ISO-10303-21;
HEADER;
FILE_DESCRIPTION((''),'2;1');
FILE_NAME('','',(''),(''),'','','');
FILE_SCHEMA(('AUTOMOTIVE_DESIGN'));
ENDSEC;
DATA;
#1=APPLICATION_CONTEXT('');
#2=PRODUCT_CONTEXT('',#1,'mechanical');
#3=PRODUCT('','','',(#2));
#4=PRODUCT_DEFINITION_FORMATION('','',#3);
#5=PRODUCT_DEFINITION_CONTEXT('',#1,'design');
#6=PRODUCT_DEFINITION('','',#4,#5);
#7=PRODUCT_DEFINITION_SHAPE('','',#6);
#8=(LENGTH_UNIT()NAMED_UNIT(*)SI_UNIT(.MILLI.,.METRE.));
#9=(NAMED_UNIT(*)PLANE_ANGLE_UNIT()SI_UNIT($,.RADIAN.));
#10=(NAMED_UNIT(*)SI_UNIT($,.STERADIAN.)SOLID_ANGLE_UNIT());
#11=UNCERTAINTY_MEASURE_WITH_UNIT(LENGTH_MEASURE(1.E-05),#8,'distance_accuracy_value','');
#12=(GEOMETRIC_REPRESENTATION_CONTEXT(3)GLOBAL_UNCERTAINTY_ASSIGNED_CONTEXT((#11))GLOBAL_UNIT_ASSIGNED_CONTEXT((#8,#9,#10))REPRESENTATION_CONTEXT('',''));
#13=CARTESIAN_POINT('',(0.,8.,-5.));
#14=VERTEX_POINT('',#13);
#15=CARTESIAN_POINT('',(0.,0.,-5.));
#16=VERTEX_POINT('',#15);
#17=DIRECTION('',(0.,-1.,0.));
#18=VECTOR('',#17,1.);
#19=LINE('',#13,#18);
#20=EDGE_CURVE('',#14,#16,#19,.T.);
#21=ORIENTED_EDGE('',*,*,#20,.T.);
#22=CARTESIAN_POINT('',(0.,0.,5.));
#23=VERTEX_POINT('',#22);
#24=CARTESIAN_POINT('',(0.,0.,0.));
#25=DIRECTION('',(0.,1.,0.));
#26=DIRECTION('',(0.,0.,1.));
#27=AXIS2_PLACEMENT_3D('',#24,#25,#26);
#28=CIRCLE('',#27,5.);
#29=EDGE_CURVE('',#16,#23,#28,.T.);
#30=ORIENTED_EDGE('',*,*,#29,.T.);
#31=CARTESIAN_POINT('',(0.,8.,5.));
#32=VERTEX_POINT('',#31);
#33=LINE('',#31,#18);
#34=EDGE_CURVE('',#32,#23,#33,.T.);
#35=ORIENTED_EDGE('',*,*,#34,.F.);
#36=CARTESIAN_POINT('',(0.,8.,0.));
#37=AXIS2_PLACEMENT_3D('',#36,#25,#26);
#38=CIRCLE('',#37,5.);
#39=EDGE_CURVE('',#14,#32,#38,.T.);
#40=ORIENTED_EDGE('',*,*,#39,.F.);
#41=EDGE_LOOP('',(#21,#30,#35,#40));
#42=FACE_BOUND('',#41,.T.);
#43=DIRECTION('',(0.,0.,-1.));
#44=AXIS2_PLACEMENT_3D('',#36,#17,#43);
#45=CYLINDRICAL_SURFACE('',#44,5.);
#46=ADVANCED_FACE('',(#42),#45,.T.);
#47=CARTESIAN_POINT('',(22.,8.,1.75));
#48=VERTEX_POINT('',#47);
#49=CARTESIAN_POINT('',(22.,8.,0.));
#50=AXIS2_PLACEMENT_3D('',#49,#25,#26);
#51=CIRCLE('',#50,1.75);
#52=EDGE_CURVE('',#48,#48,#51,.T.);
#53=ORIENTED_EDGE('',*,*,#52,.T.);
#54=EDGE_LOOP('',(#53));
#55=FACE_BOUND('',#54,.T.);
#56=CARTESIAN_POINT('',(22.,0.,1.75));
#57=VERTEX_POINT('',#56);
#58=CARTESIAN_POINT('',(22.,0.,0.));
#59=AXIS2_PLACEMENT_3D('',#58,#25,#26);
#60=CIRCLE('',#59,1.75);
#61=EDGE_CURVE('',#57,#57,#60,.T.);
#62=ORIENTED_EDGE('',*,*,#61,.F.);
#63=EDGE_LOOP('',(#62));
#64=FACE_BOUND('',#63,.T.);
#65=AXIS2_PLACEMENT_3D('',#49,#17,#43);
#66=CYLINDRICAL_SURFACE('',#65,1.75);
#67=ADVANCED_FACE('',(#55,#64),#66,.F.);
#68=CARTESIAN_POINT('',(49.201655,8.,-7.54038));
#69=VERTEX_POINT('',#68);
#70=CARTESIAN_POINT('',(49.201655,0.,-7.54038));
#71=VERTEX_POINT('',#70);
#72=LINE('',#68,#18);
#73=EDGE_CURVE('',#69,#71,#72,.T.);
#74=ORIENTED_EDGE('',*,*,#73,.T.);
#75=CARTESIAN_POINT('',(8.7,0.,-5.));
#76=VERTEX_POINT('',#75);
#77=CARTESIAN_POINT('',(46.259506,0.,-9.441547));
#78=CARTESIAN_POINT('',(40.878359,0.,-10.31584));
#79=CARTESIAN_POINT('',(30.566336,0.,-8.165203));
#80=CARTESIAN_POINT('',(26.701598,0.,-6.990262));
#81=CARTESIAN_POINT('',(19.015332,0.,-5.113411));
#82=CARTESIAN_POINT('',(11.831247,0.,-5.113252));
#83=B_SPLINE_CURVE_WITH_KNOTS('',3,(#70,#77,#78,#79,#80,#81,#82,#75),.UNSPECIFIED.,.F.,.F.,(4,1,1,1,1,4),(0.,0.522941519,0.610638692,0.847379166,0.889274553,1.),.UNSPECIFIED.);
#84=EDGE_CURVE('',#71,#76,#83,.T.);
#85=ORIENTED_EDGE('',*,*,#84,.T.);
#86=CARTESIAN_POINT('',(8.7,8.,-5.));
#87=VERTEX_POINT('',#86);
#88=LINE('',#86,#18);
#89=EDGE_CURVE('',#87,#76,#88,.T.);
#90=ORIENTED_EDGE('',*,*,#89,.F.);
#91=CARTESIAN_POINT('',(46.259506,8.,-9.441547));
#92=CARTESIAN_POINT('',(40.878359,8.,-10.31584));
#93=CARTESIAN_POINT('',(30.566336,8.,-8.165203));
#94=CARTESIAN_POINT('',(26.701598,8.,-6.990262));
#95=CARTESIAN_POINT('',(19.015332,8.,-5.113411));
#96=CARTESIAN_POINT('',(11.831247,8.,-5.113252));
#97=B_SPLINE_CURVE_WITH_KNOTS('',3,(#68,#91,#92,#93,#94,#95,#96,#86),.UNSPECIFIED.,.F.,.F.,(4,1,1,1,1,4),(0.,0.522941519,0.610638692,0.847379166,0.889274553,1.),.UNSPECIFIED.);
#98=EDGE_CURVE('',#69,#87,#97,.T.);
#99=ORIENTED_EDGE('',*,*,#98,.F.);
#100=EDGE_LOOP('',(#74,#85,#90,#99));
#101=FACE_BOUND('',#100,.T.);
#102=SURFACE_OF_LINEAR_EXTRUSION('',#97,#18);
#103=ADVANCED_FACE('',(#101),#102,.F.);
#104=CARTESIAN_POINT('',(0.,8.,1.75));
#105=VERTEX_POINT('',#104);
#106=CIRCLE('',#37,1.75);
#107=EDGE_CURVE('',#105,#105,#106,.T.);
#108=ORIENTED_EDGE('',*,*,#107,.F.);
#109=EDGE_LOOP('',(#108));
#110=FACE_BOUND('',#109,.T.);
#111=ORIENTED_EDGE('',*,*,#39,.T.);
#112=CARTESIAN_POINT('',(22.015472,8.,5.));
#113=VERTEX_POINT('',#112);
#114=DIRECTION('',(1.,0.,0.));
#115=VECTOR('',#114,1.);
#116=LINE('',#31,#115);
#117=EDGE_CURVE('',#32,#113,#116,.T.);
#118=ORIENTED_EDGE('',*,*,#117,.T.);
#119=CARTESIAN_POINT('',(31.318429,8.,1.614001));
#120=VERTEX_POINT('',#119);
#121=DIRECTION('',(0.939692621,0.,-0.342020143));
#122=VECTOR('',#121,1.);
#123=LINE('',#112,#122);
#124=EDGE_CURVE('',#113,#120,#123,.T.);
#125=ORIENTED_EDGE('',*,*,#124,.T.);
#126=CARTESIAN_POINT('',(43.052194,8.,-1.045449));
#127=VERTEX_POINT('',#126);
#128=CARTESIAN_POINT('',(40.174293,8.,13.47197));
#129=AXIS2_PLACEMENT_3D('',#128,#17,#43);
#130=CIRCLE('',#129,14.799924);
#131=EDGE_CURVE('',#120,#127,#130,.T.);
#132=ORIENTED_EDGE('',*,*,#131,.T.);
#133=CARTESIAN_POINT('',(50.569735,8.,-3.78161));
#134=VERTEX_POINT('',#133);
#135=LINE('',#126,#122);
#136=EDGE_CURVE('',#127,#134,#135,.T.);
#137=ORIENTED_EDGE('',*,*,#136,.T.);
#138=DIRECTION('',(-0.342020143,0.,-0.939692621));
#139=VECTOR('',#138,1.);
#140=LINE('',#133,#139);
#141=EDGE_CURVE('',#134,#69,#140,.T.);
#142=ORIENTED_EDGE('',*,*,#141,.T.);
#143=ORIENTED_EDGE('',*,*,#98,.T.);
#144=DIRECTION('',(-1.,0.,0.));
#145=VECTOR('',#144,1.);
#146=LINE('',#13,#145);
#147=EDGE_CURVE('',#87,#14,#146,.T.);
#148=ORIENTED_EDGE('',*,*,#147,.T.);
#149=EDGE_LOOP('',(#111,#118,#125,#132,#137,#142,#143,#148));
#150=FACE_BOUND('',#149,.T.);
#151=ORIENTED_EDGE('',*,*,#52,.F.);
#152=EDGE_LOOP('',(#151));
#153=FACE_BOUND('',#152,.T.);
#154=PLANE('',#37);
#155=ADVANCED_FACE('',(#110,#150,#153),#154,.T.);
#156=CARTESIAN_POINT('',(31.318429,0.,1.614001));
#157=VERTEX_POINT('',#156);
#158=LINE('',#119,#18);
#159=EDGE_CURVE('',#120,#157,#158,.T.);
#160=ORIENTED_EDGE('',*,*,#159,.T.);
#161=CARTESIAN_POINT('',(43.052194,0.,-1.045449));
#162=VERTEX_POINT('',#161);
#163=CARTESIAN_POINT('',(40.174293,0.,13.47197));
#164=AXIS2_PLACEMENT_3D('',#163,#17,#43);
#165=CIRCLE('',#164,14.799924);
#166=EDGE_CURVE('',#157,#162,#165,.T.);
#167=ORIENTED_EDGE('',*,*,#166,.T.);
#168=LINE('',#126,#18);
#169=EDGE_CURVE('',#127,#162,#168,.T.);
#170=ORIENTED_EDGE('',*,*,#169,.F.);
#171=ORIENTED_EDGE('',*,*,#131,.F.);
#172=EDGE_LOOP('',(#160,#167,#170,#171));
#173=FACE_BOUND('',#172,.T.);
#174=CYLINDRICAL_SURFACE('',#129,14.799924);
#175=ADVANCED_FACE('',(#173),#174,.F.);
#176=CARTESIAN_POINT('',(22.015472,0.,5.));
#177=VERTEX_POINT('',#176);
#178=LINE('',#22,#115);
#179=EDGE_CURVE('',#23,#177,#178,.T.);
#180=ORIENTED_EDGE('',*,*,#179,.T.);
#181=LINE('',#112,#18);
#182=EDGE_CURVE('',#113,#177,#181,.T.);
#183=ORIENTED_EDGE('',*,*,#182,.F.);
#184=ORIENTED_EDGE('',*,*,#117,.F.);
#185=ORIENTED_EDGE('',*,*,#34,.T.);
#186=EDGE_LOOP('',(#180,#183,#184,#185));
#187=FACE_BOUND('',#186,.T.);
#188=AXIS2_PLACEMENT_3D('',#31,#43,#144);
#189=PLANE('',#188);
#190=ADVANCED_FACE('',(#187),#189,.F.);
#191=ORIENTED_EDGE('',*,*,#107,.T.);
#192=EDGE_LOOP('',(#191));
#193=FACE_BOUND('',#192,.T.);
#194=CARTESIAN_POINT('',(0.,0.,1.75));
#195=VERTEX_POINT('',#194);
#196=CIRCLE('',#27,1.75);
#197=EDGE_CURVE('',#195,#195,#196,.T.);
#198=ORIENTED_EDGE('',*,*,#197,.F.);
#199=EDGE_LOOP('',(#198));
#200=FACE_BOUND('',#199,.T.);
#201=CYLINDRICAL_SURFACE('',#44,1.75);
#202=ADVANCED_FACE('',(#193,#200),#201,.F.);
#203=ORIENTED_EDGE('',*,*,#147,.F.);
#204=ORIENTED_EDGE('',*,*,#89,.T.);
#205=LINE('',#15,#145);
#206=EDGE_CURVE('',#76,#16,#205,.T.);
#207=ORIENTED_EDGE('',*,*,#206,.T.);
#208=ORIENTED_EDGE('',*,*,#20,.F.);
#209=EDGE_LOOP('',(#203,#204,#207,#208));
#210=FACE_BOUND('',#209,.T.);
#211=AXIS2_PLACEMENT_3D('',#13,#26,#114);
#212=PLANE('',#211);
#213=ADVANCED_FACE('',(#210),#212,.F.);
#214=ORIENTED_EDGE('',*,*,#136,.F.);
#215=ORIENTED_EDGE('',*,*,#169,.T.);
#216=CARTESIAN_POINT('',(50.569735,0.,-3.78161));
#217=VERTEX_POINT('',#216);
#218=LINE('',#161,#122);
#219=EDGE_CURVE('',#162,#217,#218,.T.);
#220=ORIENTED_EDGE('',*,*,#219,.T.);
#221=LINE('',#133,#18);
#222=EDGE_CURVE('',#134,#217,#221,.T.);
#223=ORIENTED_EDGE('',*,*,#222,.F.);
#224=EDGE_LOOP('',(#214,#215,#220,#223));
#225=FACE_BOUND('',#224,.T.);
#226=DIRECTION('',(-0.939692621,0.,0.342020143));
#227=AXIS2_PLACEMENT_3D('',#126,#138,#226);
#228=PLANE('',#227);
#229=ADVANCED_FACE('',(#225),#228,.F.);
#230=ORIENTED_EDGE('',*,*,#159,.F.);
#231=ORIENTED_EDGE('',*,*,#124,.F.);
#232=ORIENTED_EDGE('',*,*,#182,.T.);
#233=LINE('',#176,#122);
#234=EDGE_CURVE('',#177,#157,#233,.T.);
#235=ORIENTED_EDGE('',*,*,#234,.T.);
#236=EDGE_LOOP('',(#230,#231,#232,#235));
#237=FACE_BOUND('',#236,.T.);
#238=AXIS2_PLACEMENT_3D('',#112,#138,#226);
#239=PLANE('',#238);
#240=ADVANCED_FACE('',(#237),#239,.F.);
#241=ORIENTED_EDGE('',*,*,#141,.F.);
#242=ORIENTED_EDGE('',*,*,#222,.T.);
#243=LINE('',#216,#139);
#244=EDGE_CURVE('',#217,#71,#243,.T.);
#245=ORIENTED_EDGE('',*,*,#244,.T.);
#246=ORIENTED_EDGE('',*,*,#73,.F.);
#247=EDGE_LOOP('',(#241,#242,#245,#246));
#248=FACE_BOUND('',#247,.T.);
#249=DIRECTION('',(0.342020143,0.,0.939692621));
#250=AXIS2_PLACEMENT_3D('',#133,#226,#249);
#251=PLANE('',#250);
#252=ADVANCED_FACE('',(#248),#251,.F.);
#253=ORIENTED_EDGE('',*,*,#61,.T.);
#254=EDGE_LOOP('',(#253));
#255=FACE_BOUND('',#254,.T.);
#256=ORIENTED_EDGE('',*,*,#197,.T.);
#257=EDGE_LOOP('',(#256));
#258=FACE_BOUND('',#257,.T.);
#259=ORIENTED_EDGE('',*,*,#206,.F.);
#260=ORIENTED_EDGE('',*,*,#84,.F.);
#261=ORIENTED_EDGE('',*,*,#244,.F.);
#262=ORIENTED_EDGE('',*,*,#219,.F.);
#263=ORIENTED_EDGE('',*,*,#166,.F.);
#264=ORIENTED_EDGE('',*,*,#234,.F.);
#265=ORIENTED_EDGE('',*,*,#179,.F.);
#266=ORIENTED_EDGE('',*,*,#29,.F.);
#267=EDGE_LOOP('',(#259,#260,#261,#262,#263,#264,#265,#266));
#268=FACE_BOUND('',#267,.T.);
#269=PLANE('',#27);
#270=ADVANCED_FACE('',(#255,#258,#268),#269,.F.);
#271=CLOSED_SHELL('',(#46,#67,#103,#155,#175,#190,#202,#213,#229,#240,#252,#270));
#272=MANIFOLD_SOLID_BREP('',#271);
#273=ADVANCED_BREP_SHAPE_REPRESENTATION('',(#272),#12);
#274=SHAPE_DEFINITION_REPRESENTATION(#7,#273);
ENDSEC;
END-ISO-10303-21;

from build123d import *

# Parameters (mm, degrees)
IZIM1_R                     = 1.75
Y_KSEKLIK_EKSTR_ZYON1_DEPTH = 8


with BuildPart() as part:
    # Çizim1 → Yükseklik-Ekstrüzyon1 (new body)
    with BuildSketch(Plane(origin=(0, 0, 0), x_dir=(1, 0, 0), z_dir=(0, 1, 0))):
        with BuildLine():
            Line((0, -5), (22.015471808, -5))
            Line((22.015471808, -5), (31.318428753, -1.614000581))
            ThreePointArc((31.318428753, -1.614000581), (36.902874651, 0.961864866), (43.052194332, 1.045448688))
            Line((43.052194332, 1.045448688), (50.569735298, 3.781609835))
            Line((50.569735298, 3.781609835), (49.201654725, 7.540380318))
            add(Edge.make_bspline(
                [(8.7, 5), (11.831247013, 5.113252489), (19.015332027, 5.113410941), (26.701598214, 6.99026184), (30.566336288, 8.165203324), (40.878358811, 10.31583972), (46.259505748, 9.441547417), (49.201654725, 7.540380318)],
                knots=[0, 0, 0, 0, 0.110725447, 0.152620834, 0.389361308, 0.477058481, 1, 1, 1, 1], degree=3))
            Line((8.7, 5), (0, 5))
            ThreePointArc((0, 5), (-5, 0), (0, -5))
        make_face()
        Circle(IZIM1_R, mode=Mode.SUBTRACT)
        with Locations((22, 0)):
            Circle(IZIM1_R, mode=Mode.SUBTRACT)
    extrude(amount=Y_KSEKLIK_EKSTR_ZYON1_DEPTH)


solid = part.part
